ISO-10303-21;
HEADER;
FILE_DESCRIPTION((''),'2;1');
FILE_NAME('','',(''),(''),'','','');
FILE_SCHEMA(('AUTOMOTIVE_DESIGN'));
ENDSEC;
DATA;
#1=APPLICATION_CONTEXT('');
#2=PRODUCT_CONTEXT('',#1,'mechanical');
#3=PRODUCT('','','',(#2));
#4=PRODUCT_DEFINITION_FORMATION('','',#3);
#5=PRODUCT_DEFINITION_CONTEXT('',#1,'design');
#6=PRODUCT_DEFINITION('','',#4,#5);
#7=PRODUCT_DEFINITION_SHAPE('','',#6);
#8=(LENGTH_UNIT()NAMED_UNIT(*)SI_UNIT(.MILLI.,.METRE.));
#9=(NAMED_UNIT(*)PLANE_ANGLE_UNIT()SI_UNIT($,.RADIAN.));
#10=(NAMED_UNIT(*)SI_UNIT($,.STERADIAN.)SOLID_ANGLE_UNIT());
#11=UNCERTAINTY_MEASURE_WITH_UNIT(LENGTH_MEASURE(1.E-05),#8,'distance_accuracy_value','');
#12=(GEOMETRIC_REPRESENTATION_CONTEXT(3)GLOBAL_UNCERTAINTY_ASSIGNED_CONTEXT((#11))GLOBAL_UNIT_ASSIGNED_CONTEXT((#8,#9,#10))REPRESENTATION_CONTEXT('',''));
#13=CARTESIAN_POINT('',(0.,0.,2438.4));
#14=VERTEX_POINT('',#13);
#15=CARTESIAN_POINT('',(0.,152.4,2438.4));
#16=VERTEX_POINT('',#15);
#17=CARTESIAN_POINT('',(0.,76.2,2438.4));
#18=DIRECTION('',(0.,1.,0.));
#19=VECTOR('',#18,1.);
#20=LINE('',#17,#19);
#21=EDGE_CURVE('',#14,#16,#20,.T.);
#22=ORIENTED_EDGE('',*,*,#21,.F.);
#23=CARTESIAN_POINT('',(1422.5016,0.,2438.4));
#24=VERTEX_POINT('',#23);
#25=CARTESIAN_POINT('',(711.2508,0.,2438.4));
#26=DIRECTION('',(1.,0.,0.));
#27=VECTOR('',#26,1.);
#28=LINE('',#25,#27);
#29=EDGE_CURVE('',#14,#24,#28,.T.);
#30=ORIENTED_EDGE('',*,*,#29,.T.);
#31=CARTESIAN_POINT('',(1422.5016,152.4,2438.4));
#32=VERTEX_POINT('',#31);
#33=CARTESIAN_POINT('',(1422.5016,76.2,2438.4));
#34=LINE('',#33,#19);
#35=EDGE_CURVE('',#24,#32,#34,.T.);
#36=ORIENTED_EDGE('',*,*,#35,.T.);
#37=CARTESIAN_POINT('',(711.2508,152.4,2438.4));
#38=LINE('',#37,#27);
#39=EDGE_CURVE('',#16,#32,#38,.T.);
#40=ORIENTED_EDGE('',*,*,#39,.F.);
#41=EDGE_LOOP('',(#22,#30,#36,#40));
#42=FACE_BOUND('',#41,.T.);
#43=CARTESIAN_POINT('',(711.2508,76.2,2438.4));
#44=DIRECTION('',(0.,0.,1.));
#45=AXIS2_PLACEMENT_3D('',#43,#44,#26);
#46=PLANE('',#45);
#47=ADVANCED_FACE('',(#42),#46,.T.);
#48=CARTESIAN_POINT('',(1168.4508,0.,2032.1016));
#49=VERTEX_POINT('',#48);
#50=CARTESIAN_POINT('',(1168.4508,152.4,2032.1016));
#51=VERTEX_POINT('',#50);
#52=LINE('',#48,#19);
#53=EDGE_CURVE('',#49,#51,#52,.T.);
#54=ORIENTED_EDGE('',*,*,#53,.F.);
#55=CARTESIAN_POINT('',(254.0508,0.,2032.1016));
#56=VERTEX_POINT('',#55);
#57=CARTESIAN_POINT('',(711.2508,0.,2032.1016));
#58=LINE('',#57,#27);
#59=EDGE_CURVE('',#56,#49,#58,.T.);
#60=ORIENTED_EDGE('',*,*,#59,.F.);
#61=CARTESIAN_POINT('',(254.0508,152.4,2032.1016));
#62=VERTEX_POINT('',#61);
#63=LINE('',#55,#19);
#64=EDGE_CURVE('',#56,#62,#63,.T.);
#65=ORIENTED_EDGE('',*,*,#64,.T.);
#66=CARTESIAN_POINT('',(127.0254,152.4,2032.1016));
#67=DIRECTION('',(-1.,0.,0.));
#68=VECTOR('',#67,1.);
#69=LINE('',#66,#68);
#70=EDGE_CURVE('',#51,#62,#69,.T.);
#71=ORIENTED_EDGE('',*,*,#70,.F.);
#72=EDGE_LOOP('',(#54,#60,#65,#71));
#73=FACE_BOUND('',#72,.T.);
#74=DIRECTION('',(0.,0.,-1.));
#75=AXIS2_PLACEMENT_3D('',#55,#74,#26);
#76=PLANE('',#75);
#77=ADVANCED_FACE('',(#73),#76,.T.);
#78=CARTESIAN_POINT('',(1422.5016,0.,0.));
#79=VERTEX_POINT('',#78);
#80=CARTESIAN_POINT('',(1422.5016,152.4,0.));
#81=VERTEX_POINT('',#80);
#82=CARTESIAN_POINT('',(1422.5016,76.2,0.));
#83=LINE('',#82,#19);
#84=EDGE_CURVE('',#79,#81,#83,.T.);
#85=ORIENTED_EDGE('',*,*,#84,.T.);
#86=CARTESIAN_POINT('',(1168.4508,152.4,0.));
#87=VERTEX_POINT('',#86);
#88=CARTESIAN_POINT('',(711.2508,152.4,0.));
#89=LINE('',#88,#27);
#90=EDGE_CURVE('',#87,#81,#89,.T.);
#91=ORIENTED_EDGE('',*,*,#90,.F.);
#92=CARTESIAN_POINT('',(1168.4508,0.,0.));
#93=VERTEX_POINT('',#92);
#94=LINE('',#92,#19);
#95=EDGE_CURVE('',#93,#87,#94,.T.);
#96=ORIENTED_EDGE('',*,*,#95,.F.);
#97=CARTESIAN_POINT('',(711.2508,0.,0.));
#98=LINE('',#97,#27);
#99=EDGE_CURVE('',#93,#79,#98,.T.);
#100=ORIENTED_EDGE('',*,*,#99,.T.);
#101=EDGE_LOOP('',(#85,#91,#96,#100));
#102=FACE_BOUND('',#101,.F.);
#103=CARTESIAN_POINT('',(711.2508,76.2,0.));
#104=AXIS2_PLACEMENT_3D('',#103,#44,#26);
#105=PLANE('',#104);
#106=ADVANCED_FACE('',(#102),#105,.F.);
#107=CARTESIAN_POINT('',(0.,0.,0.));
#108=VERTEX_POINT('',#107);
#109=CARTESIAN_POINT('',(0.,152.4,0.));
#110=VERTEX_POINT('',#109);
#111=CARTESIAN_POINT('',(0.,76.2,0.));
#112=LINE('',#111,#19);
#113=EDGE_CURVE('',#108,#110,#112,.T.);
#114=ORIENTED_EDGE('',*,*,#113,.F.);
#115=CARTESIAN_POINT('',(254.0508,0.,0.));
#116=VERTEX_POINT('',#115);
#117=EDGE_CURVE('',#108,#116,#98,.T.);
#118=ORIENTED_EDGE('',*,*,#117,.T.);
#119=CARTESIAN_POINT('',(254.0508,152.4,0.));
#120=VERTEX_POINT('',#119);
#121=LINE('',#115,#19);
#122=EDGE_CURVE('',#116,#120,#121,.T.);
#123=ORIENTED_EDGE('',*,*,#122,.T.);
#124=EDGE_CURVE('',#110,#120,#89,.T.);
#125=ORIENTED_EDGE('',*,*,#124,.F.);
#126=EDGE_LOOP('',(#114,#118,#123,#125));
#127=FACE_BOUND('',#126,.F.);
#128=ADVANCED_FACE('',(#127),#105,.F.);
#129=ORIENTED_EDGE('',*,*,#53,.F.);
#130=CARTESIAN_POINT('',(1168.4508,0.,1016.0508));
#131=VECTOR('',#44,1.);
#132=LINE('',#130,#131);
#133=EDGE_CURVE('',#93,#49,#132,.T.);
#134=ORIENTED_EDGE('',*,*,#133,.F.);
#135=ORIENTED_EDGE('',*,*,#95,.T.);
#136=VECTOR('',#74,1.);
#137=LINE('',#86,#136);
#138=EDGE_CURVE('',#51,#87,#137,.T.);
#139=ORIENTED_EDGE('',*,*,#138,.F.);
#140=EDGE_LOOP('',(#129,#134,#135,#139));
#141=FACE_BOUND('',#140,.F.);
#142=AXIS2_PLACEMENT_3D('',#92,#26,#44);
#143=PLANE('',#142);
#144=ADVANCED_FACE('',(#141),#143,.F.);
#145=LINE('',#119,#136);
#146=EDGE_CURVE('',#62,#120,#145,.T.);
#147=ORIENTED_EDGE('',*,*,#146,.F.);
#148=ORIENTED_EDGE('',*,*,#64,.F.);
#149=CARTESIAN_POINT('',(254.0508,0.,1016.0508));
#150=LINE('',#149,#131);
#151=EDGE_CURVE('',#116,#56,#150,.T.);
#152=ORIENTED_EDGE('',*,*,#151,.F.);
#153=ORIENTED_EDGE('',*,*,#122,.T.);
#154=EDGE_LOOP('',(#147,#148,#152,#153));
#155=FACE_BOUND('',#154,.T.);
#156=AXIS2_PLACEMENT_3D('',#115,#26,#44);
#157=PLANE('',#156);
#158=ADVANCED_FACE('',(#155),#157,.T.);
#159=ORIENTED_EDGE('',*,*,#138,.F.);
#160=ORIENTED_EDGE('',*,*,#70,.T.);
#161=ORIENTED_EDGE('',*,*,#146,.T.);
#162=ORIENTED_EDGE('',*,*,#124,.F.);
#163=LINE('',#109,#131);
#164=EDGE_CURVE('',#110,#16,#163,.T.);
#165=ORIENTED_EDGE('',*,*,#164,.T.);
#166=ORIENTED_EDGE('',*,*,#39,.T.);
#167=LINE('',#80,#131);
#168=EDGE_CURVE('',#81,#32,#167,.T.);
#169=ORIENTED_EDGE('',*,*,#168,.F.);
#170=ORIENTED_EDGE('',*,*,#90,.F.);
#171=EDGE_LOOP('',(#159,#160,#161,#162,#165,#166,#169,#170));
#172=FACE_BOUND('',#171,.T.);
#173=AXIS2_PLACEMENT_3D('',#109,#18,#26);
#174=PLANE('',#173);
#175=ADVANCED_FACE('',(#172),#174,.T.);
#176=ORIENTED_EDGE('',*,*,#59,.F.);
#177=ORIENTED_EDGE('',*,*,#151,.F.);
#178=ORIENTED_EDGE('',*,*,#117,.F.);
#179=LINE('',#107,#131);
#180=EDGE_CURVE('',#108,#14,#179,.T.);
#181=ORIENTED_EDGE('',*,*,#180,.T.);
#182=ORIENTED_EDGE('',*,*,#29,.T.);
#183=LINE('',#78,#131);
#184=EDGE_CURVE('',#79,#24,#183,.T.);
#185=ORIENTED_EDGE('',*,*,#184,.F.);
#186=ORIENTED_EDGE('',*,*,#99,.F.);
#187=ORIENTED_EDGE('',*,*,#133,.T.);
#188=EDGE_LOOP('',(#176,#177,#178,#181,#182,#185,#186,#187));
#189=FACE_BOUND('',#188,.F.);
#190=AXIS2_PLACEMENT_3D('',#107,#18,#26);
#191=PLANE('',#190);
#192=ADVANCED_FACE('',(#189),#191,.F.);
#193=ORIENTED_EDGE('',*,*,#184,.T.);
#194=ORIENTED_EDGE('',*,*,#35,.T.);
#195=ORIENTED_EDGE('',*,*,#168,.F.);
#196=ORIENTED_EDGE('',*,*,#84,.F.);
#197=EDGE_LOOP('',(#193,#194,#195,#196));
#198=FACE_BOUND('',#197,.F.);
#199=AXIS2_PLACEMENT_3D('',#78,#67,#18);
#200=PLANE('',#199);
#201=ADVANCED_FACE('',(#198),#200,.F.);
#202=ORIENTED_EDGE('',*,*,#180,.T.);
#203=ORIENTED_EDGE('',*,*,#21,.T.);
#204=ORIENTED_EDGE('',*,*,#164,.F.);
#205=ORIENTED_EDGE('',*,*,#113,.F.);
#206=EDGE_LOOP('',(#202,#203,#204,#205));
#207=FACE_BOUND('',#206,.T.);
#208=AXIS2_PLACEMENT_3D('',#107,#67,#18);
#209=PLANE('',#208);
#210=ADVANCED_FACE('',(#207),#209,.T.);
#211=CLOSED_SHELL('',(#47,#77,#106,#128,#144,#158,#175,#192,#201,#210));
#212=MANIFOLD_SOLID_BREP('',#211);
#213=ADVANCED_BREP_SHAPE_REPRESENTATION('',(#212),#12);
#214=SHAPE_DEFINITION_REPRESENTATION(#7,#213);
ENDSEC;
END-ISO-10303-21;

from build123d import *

# Parameters (mm, degrees)
F0_W     = 1422.5016
F0_H     = 152.4
F1_DEPTH = 2438.4
F2_W     = 914.4
F2_H     = 2032.1016
F3_DEPTH = 152.401


with BuildPart() as f1:
    # F0 (on Top) → F1 (new body)
    with BuildSketch(Plane.XY):
        with Locations((711.2508, 76.2)):
            Rectangle(F0_W, F0_H)
    extrude(amount=F1_DEPTH)

    # F2 (on face) → F3 (cut, through all)
    with BuildSketch(Plane.XZ):
        with Locations((711.2508, 1016.0508)):
            Rectangle(F2_W, F2_H)
    extrude(amount=-F3_DEPTH, mode=Mode.SUBTRACT)


solid = f1.part
